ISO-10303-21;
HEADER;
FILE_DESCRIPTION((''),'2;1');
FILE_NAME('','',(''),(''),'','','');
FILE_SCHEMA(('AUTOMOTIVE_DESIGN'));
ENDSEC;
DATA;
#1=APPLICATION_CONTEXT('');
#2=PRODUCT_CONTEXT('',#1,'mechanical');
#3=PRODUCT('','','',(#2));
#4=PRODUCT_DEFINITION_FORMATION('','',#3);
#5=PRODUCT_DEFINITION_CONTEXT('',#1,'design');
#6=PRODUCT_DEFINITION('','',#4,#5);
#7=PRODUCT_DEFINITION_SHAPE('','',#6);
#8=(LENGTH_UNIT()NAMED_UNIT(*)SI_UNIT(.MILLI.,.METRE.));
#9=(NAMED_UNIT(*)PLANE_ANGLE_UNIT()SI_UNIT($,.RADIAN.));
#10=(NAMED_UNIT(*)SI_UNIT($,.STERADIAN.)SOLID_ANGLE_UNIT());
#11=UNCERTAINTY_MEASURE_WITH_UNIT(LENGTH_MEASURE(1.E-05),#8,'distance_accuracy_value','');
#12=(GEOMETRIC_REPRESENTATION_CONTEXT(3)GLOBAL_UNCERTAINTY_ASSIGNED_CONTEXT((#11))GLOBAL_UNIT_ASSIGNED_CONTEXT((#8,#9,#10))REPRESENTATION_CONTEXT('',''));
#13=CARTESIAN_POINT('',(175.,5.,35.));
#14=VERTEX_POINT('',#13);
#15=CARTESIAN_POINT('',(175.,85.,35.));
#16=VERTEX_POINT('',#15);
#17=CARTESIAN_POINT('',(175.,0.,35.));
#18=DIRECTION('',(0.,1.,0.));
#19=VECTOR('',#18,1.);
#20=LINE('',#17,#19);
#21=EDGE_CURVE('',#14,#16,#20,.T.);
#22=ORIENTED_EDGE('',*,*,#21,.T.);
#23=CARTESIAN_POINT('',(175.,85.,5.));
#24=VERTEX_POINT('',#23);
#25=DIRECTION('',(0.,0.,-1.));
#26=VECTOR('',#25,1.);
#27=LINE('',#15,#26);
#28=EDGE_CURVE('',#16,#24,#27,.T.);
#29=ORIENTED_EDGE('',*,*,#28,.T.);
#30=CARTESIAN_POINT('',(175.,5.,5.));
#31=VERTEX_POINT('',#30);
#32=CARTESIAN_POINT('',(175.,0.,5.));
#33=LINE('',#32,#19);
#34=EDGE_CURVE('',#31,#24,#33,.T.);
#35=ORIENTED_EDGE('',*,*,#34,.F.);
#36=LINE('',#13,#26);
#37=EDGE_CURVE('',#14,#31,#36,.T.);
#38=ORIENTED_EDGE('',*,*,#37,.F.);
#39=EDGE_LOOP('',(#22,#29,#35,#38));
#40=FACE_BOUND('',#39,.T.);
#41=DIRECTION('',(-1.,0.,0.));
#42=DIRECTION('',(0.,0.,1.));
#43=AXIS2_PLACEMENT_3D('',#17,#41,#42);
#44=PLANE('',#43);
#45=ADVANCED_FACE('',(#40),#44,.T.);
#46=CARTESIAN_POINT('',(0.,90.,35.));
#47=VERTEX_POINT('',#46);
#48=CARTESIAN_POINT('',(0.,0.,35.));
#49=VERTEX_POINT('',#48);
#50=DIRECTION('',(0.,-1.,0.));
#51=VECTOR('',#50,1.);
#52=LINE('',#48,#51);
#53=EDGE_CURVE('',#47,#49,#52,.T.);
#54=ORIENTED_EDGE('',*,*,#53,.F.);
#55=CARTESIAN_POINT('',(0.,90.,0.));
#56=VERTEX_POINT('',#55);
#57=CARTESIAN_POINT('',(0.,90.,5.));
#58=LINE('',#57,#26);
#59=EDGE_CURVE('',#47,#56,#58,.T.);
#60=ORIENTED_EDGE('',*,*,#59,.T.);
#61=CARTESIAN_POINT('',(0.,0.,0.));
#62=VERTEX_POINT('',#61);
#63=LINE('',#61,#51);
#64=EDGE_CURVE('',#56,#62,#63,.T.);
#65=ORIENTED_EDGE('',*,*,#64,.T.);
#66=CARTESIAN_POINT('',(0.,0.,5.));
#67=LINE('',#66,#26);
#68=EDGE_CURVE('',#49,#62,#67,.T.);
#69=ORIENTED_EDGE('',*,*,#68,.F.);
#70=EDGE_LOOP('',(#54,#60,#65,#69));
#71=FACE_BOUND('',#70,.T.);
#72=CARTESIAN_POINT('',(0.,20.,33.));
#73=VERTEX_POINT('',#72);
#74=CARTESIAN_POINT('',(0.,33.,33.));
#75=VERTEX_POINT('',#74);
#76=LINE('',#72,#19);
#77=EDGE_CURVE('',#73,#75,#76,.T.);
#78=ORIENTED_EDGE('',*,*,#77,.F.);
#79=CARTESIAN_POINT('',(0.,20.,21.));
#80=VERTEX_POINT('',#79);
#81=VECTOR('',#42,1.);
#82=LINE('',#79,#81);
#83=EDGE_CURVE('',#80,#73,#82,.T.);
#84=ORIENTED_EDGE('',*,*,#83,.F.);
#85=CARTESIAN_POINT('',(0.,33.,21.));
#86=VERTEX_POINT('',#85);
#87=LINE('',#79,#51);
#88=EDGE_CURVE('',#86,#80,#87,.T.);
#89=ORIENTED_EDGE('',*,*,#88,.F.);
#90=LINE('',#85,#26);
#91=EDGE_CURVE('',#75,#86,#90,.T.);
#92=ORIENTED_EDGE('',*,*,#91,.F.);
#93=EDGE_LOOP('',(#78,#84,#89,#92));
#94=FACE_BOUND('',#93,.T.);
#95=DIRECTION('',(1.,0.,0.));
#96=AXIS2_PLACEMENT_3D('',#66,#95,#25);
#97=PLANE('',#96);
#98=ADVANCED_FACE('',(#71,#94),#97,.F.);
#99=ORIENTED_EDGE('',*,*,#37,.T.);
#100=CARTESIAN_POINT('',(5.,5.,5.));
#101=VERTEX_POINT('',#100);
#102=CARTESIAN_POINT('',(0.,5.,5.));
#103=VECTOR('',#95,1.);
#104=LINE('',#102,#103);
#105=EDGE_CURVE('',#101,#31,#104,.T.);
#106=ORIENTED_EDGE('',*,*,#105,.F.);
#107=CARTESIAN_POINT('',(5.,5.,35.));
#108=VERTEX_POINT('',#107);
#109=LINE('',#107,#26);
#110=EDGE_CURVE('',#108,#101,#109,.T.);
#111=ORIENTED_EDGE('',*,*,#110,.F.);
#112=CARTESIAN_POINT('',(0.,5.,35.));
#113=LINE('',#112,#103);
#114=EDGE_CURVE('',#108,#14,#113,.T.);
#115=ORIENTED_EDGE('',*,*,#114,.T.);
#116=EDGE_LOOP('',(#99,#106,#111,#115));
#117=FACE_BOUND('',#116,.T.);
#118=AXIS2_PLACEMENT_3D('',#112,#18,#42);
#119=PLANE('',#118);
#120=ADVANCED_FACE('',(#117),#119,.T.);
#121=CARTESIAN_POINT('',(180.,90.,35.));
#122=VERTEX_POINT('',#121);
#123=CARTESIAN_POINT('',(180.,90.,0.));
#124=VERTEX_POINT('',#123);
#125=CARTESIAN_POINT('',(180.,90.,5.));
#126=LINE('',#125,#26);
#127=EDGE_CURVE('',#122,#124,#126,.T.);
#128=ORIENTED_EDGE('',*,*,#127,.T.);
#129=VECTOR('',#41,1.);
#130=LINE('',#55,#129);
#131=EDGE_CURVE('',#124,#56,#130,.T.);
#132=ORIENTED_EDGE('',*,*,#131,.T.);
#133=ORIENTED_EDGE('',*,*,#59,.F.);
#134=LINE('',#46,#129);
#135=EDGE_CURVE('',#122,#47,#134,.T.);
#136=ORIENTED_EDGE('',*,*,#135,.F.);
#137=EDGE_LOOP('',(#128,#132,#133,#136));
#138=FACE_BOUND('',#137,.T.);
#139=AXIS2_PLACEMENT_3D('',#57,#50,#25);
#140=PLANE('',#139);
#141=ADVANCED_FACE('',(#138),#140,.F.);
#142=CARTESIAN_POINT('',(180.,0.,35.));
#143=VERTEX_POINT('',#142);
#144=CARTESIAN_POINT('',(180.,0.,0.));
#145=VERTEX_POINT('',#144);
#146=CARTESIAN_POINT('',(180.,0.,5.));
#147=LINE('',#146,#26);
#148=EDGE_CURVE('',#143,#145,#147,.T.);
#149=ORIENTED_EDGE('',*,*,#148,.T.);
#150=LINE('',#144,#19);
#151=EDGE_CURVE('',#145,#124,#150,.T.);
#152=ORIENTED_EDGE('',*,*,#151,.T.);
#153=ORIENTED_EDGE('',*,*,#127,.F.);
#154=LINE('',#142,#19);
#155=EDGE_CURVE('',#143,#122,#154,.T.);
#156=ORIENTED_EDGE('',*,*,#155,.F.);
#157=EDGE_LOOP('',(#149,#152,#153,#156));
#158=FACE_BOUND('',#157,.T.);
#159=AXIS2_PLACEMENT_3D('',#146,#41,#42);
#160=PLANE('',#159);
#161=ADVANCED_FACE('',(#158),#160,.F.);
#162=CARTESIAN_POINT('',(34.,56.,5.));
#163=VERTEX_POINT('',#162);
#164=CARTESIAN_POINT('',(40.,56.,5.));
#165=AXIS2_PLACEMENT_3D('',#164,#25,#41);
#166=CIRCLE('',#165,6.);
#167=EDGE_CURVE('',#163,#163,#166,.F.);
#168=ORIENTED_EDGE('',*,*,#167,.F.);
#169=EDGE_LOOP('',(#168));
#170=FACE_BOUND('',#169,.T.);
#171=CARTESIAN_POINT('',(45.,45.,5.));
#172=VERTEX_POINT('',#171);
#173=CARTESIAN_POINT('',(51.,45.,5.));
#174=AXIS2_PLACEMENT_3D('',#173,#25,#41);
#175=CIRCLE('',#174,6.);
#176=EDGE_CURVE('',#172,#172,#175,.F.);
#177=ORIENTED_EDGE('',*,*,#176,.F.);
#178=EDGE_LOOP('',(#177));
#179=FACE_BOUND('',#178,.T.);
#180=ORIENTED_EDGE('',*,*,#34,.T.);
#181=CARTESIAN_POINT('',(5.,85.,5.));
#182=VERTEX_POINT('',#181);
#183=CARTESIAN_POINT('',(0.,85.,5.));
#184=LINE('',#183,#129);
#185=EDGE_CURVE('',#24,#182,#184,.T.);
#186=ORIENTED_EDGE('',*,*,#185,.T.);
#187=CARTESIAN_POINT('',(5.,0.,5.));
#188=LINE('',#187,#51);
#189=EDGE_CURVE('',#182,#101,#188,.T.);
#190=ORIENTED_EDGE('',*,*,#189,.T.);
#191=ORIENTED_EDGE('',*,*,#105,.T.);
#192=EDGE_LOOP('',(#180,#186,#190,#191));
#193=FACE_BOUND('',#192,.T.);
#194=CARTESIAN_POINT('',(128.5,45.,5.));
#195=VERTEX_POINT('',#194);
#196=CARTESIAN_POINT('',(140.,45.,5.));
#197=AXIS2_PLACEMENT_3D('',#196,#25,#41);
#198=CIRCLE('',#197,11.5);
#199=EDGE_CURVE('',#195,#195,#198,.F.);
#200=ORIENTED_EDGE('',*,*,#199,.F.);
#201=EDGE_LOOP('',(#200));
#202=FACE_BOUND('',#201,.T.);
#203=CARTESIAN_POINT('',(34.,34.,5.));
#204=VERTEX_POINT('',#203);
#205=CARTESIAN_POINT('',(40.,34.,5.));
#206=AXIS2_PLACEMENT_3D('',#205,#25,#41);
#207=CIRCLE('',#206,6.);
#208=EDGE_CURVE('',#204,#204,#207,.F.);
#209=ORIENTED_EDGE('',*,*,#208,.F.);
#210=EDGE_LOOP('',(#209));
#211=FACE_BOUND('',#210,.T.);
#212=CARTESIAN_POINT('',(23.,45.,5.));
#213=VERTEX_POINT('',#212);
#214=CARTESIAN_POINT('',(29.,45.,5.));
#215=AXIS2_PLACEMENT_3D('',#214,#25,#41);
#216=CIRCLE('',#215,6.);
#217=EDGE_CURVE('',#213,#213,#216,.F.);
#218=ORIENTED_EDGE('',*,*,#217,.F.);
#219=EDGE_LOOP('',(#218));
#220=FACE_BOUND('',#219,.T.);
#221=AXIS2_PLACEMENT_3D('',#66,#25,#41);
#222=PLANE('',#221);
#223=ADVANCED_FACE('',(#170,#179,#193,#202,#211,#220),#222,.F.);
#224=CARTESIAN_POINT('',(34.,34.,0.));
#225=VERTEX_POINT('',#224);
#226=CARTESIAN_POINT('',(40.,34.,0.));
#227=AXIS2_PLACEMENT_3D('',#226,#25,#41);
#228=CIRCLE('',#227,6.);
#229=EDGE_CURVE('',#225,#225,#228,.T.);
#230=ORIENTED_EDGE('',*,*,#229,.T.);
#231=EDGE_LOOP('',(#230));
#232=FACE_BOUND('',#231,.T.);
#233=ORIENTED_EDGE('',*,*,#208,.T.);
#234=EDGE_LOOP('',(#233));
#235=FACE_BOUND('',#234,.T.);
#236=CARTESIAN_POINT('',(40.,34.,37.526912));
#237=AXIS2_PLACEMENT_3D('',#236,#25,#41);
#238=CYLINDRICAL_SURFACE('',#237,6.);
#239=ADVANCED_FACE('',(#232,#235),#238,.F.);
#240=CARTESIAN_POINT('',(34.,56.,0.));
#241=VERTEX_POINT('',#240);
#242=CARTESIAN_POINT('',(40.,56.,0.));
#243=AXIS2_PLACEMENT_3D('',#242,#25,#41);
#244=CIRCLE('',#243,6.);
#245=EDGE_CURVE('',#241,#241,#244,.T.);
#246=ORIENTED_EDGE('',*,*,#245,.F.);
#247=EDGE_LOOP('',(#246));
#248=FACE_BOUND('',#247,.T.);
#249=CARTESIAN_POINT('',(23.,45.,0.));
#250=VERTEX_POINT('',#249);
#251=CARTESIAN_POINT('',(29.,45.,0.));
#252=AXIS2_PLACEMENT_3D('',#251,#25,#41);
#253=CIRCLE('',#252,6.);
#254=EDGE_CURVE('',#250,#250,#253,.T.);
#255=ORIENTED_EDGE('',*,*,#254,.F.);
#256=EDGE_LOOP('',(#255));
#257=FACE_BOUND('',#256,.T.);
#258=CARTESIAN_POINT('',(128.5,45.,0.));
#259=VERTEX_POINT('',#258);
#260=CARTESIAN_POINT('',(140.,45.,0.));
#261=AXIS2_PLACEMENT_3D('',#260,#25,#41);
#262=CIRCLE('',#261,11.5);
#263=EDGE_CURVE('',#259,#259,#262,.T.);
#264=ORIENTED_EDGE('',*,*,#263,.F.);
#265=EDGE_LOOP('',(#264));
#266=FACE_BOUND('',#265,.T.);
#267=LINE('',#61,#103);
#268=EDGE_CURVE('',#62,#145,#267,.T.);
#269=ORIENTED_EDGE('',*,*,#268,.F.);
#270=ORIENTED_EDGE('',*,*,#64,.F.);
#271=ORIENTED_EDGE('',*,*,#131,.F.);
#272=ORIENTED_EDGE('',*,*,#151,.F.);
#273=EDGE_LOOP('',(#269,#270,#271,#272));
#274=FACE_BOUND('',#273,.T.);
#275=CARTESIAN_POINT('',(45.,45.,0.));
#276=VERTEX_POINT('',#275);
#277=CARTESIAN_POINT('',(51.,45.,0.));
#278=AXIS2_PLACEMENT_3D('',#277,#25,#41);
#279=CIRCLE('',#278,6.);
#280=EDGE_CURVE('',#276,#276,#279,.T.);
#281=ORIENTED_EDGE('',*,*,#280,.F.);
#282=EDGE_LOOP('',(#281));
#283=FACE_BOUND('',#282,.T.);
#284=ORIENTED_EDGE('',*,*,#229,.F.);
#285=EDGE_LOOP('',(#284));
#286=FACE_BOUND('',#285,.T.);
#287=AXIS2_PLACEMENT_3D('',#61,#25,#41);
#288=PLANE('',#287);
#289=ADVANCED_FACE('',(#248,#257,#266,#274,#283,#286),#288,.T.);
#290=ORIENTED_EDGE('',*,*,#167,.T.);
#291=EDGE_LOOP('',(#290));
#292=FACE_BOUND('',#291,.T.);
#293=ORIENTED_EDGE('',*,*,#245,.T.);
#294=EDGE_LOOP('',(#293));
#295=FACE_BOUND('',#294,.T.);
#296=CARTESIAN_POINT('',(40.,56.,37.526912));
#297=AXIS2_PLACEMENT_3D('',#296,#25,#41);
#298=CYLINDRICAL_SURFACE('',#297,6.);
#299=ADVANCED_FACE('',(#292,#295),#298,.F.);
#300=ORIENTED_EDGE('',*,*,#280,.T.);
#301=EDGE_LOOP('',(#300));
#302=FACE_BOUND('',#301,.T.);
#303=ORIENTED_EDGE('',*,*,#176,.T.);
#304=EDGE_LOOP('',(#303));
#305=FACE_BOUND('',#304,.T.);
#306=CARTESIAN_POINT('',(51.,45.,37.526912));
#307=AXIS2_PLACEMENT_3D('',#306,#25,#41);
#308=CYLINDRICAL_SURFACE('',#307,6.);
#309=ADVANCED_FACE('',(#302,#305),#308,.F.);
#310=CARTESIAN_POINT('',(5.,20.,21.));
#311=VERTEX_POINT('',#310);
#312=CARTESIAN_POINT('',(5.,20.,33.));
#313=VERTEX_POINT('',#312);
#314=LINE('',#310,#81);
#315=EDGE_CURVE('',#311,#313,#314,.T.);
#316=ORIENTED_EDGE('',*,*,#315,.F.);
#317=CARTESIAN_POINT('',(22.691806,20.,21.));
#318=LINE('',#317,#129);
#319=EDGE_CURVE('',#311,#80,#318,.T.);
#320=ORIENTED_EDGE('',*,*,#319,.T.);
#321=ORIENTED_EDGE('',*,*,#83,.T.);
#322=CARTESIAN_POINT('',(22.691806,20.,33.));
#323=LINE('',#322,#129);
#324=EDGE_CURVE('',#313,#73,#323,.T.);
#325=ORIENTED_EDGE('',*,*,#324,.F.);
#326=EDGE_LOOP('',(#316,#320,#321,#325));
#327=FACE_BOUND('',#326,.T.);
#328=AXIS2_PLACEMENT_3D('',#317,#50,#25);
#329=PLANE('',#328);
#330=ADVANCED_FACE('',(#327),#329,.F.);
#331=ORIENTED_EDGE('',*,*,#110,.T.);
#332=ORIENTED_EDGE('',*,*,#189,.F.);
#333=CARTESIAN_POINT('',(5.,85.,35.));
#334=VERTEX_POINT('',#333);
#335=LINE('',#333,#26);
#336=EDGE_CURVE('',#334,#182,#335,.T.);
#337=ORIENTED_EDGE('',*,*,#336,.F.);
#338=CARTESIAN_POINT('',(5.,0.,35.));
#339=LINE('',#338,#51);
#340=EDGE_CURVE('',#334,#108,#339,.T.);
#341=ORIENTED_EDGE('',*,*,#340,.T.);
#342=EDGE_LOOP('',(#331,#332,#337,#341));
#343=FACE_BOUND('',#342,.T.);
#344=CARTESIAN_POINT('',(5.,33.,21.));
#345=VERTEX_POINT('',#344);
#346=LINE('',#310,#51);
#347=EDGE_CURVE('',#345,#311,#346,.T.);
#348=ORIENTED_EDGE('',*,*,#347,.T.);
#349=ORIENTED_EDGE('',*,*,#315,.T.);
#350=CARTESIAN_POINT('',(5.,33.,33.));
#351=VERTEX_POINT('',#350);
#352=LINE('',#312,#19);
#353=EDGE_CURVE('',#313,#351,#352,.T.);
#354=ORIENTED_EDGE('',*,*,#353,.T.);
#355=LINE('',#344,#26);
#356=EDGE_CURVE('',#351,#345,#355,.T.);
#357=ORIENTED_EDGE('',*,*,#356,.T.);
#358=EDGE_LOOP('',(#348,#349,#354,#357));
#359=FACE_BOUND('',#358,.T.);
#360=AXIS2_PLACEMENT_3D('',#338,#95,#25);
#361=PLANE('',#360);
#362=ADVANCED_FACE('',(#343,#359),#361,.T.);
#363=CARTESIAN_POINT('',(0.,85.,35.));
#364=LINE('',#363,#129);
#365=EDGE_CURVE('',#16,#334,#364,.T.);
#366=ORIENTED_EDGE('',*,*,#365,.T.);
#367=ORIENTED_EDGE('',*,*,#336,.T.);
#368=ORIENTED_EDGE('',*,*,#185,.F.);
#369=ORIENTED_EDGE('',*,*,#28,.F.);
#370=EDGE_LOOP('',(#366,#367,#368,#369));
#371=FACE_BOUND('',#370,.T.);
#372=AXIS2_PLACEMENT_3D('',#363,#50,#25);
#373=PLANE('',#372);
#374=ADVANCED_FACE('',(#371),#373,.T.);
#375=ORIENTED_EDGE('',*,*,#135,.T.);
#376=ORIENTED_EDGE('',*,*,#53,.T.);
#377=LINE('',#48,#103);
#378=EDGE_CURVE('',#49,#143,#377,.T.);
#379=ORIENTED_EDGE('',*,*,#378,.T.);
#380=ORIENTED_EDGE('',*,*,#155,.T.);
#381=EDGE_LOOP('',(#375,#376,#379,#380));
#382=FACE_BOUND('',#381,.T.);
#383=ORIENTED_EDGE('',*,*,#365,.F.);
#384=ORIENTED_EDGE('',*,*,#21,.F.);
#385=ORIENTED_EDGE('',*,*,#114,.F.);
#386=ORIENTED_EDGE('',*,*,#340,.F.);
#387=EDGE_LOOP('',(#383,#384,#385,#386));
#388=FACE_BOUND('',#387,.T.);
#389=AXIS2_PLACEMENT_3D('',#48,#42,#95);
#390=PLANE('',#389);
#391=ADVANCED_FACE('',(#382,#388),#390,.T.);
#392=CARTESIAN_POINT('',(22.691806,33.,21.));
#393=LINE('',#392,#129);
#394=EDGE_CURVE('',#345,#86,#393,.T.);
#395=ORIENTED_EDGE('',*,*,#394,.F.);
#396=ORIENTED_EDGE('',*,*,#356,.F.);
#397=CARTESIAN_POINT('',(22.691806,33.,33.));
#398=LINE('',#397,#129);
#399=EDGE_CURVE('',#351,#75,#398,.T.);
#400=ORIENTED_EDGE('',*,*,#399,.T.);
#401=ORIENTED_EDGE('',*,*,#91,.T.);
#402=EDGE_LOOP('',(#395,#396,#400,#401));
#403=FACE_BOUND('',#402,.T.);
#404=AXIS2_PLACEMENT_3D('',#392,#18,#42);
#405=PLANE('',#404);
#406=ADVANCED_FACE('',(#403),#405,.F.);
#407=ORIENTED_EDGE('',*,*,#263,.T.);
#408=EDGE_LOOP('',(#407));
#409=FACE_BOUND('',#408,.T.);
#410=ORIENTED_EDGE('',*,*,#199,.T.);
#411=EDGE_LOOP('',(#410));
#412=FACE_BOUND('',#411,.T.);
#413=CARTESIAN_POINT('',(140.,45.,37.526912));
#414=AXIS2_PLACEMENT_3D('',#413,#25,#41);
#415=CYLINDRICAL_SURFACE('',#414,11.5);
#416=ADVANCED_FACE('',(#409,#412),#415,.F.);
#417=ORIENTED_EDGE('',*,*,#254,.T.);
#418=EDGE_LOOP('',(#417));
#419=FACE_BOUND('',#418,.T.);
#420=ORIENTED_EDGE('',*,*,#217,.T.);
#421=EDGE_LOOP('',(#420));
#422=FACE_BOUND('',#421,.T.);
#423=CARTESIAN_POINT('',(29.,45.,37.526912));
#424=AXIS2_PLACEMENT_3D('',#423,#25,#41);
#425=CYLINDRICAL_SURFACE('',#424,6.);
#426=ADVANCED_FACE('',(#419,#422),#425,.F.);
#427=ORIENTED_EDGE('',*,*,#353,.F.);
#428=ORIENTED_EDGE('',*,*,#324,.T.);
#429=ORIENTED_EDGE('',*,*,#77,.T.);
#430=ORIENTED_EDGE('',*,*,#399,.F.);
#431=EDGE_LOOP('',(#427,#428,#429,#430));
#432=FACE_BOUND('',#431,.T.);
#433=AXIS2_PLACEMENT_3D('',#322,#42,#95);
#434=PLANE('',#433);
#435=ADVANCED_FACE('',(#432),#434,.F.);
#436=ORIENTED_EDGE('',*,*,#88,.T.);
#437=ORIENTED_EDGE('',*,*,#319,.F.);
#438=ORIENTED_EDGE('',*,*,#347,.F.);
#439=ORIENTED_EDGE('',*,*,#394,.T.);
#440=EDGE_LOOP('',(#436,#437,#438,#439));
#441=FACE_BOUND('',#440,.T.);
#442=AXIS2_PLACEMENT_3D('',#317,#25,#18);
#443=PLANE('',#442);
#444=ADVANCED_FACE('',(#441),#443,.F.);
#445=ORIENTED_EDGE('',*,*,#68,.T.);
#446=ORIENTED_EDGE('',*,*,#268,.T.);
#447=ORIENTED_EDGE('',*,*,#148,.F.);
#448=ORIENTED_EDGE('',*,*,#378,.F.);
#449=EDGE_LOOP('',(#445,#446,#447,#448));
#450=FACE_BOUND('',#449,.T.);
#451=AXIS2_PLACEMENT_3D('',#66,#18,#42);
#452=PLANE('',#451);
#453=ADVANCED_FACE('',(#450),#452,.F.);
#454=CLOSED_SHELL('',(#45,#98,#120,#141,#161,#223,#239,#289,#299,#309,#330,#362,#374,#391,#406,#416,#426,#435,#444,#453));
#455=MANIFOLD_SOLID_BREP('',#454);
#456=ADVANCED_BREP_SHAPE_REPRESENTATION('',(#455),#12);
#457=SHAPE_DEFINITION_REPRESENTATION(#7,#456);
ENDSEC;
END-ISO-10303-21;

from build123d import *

# Parameters (mm, degrees)
ESQUISSE1_W             = 180
ESQUISSE1_H             = 90
BOSS_EXTRU_1_DEPTH      = 5
ESQUISSE2_W             = 180
ESQUISSE2_H             = 90
ESQUISSE2_W_2           = 170
ESQUISSE2_H_2           = 80
BOSS_EXTRU_2_DEPTH      = 30
ESQUISSE3_R             = 11.5
ESQUISSE3_R_2           = 6
ENL_V_MAT_EXTRU_1_DEPTH = 5
ESQUISSE4_W             = 12
ESQUISSE4_H             = 13
ENL_V_MAT_EXTRU_2_DEPTH = 5


with BuildPart() as part:
    # Esquisse1 → Boss.-Extru.1 (new body)
    with BuildSketch(Plane.XY):
        with Locations((90, 45)):
            Rectangle(ESQUISSE1_W, ESQUISSE1_H)
    extrude(amount=BOSS_EXTRU_1_DEPTH)

    # Esquisse2 → Boss.-Extru.2 (add)
    with BuildSketch(Plane.XY.offset(5)):
        with Locations((90, 45)):
            Rectangle(ESQUISSE2_W, ESQUISSE2_H)
        with Locations((90, 45)):
            Rectangle(ESQUISSE2_W_2, ESQUISSE2_H_2, mode=Mode.SUBTRACT)
    extrude(amount=BOSS_EXTRU_2_DEPTH)

    # Esquisse3 → Enlèv. mat.-Extru.1 (cut)
    with BuildSketch(Plane(origin=(0, 0, 0), x_dir=(-1, 0, 0), z_dir=(0, 0, -1))):
        with Locations((-140, 45)):
            Circle(ESQUISSE3_R)
        with Locations((-40, 56)):
            Circle(ESQUISSE3_R_2)
        with Locations((-40, 34)):
            Circle(ESQUISSE3_R_2)
        with Locations((-51, 45)):
            Circle(ESQUISSE3_R_2)
        with Locations((-29, 45)):
            Circle(ESQUISSE3_R_2)
    extrude(amount=-ENL_V_MAT_EXTRU_1_DEPTH, mode=Mode.SUBTRACT)

    # Esquisse4 → Enlèv. mat.-Extru.2 (cut)
    with BuildSketch(Plane.ZY):
        with Locations((27, 26.5)):
            Rectangle(ESQUISSE4_W, ESQUISSE4_H)
    extrude(amount=-ENL_V_MAT_EXTRU_2_DEPTH, mode=Mode.SUBTRACT)


solid = part.part
